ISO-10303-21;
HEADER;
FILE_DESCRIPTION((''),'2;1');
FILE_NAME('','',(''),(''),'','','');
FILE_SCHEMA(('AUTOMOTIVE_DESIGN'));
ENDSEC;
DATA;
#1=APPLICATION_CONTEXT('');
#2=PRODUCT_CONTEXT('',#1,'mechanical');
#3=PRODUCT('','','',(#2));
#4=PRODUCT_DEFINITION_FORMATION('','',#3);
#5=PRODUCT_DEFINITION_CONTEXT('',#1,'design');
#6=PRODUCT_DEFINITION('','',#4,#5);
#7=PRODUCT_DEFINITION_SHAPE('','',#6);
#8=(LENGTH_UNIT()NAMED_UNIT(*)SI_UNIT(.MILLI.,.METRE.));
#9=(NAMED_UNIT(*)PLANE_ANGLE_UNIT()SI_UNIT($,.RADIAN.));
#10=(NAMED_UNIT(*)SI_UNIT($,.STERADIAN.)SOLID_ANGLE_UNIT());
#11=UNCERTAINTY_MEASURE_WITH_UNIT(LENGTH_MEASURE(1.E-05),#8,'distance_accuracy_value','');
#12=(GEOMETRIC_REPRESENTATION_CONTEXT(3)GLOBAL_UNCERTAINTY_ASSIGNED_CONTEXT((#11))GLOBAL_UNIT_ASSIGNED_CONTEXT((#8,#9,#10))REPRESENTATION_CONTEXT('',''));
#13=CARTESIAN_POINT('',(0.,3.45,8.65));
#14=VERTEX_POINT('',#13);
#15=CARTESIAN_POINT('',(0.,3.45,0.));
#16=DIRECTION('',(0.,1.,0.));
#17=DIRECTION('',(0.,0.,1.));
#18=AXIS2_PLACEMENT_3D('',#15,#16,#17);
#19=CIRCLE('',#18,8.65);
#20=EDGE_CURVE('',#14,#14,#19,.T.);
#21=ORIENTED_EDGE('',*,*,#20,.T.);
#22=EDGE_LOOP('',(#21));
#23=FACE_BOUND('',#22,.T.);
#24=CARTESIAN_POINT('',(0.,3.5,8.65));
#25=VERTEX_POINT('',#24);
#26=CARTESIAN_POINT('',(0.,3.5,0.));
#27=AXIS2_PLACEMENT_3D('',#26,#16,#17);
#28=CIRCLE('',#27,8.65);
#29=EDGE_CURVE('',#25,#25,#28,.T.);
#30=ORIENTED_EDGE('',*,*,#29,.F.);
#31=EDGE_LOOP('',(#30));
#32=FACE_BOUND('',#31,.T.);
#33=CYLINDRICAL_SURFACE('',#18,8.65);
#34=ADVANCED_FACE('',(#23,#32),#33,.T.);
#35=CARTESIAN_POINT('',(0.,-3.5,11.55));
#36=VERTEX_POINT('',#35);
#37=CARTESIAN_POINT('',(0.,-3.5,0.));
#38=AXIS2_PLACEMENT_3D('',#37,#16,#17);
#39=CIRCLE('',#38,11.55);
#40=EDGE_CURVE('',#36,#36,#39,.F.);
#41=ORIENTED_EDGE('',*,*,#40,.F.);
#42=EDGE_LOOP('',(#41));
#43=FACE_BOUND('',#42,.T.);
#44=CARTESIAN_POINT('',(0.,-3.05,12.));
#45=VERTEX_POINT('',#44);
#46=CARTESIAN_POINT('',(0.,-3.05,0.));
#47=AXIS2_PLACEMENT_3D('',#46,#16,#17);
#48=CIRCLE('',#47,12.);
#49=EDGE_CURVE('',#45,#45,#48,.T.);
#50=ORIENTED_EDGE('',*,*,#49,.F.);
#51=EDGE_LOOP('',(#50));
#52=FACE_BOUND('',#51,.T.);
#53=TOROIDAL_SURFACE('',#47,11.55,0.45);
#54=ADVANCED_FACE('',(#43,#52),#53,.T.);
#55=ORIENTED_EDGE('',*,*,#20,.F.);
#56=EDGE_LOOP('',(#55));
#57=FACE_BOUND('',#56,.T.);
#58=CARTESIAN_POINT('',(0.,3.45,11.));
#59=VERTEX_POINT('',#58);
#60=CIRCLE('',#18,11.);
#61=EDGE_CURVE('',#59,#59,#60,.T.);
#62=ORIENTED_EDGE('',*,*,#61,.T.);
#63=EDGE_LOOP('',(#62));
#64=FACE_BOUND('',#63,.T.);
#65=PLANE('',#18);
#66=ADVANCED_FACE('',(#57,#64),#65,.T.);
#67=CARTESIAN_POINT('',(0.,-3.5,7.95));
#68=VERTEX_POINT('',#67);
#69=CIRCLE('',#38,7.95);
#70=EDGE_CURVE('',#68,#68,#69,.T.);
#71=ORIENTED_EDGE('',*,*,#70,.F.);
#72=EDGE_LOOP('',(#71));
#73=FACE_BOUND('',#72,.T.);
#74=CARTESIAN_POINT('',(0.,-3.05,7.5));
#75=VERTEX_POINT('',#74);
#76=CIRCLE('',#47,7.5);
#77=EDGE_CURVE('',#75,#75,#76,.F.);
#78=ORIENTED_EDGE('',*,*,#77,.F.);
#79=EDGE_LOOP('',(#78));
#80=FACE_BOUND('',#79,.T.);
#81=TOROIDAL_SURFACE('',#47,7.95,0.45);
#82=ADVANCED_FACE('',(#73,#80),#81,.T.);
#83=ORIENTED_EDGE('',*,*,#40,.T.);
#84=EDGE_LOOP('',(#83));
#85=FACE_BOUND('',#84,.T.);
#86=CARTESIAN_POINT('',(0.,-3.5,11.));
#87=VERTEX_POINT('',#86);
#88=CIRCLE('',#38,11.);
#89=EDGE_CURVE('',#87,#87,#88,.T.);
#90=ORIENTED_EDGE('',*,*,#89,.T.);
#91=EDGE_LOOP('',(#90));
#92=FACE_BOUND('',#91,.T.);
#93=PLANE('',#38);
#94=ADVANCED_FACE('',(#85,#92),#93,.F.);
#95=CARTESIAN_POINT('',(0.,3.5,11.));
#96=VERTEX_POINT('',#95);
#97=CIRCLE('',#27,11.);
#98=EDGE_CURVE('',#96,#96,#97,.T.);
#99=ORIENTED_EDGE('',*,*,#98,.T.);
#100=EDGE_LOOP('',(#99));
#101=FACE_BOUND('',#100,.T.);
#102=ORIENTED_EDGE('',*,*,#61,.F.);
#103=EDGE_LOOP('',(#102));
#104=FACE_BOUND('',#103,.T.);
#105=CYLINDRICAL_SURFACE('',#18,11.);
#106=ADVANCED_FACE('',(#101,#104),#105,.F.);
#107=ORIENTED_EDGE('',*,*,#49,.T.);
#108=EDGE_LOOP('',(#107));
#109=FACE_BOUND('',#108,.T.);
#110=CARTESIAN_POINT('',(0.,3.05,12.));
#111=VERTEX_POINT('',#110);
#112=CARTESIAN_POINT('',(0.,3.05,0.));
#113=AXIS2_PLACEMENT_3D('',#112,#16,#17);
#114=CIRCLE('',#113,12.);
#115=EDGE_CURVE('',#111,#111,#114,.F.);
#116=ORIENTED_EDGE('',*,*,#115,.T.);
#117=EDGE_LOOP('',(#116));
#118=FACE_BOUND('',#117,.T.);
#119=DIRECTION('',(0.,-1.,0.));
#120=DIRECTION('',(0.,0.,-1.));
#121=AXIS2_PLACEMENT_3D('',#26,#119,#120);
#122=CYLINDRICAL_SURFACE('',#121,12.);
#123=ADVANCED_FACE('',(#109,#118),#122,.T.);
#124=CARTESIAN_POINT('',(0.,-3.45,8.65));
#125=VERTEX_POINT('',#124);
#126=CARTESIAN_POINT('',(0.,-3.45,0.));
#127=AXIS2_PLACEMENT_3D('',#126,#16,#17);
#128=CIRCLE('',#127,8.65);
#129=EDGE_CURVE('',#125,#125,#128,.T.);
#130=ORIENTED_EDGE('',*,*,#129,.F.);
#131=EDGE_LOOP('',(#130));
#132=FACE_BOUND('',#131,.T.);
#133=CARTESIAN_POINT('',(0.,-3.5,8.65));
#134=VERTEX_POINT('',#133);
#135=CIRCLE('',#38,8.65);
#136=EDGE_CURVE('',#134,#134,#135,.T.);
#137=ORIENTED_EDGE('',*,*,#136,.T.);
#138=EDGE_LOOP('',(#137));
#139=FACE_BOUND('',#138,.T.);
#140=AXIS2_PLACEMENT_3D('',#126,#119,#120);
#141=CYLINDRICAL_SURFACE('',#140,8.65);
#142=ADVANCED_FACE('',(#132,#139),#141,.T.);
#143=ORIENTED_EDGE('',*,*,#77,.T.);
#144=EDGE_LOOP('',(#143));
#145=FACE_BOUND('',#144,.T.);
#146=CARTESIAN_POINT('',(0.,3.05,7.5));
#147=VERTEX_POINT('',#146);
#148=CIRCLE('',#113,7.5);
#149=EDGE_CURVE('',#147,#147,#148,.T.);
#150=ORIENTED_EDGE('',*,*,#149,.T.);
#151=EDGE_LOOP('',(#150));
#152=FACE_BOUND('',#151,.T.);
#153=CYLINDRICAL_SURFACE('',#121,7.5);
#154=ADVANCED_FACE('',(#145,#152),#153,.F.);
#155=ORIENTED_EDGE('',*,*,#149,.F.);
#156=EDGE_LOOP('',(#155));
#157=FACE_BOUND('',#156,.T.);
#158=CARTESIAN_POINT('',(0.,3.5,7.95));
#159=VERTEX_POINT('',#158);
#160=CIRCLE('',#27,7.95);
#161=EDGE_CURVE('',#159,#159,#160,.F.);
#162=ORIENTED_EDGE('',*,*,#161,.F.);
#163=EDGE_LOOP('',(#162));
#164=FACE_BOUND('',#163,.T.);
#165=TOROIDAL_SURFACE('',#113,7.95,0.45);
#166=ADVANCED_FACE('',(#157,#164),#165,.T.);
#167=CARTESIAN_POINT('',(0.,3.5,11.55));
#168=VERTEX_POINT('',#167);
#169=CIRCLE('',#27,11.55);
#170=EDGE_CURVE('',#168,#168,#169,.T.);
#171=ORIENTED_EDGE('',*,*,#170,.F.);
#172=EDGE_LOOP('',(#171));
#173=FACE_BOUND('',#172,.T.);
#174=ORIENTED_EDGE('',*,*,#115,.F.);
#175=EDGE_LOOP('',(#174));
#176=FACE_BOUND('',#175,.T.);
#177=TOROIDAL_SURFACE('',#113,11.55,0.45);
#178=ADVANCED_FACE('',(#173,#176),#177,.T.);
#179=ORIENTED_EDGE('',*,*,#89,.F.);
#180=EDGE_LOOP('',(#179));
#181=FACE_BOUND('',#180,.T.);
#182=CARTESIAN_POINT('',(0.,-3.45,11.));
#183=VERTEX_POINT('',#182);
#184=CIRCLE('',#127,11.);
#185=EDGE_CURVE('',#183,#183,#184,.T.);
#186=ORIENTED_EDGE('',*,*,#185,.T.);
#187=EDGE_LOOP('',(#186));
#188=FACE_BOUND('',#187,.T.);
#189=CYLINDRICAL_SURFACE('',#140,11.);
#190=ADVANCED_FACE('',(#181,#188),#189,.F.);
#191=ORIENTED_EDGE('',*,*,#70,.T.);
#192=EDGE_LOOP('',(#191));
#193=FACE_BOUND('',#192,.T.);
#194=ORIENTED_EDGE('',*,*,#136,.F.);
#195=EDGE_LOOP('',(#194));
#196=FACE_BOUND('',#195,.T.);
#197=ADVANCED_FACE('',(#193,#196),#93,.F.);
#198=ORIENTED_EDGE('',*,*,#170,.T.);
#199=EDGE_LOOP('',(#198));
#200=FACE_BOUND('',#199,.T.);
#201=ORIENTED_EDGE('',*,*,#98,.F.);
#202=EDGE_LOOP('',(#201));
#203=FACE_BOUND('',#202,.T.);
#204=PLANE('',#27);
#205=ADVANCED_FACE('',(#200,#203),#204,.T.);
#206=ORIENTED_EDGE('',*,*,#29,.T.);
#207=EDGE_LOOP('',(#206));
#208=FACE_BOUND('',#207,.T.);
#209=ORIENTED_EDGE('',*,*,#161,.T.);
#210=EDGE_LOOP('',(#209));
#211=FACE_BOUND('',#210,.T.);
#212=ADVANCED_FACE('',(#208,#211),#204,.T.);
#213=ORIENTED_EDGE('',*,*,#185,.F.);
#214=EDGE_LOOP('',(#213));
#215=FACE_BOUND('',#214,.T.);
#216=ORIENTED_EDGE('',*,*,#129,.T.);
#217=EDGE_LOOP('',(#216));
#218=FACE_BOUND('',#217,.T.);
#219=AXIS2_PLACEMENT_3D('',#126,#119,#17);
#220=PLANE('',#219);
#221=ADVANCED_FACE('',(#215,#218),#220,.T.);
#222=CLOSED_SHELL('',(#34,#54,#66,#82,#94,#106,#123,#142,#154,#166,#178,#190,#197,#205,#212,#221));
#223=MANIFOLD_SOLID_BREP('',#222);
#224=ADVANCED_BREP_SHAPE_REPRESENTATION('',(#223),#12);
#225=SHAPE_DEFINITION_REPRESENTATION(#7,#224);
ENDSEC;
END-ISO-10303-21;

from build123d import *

# Parameters (mm, degrees)
SKETCH1_R           = 12
SKETCH1_R_2         = 7.5
BOSS_EXTRUDE1_DEPTH = 3.5
SKETCH2_R           = 11
SKETCH2_R_2         = 8.65
CUT_EXTRUDE1_DEPTH  = 0.05
FILLET1_R           = 0.45


with BuildPart() as part:
    # Sketch1 → Boss-Extrude1 (new, symmetric)
    with BuildSketch(Plane(origin=(0, 0, 0), x_dir=(1, 0, 0), z_dir=(0, 1, 0))):
        Circle(SKETCH1_R)
        Circle(SKETCH1_R_2, mode=Mode.SUBTRACT)
    extrude(amount=BOSS_EXTRUDE1_DEPTH, both=True)

    # Sketch2 → Cut-Extrude1 (cut)
    with BuildSketch(Plane(origin=(0, 3.5, 0), x_dir=(1, 0, 0), z_dir=(0, 1, 0))):
        Circle(SKETCH2_R)
        Circle(SKETCH2_R_2, mode=Mode.SUBTRACT)
    cut_extrude1 = extrude(amount=-CUT_EXTRUDE1_DEPTH, mode=Mode.SUBTRACT)

    # Mirror1: Cut-Extrude1 across plane
    add(cut_extrude1.mirror(Plane.ZX), mode=Mode.SUBTRACT)

    # Fillet1
    fillet1_edges = [part.edges().sort_by_distance(p)[0] for p in [
        (-7.5, -3.5, 0),
        (-7.5, 3.5, 0),
        (-12, -3.5, 0),
        (-12, 3.5, 0),
    ]]
    fillet(fillet1_edges, radius=FILLET1_R)


solid = part.part
